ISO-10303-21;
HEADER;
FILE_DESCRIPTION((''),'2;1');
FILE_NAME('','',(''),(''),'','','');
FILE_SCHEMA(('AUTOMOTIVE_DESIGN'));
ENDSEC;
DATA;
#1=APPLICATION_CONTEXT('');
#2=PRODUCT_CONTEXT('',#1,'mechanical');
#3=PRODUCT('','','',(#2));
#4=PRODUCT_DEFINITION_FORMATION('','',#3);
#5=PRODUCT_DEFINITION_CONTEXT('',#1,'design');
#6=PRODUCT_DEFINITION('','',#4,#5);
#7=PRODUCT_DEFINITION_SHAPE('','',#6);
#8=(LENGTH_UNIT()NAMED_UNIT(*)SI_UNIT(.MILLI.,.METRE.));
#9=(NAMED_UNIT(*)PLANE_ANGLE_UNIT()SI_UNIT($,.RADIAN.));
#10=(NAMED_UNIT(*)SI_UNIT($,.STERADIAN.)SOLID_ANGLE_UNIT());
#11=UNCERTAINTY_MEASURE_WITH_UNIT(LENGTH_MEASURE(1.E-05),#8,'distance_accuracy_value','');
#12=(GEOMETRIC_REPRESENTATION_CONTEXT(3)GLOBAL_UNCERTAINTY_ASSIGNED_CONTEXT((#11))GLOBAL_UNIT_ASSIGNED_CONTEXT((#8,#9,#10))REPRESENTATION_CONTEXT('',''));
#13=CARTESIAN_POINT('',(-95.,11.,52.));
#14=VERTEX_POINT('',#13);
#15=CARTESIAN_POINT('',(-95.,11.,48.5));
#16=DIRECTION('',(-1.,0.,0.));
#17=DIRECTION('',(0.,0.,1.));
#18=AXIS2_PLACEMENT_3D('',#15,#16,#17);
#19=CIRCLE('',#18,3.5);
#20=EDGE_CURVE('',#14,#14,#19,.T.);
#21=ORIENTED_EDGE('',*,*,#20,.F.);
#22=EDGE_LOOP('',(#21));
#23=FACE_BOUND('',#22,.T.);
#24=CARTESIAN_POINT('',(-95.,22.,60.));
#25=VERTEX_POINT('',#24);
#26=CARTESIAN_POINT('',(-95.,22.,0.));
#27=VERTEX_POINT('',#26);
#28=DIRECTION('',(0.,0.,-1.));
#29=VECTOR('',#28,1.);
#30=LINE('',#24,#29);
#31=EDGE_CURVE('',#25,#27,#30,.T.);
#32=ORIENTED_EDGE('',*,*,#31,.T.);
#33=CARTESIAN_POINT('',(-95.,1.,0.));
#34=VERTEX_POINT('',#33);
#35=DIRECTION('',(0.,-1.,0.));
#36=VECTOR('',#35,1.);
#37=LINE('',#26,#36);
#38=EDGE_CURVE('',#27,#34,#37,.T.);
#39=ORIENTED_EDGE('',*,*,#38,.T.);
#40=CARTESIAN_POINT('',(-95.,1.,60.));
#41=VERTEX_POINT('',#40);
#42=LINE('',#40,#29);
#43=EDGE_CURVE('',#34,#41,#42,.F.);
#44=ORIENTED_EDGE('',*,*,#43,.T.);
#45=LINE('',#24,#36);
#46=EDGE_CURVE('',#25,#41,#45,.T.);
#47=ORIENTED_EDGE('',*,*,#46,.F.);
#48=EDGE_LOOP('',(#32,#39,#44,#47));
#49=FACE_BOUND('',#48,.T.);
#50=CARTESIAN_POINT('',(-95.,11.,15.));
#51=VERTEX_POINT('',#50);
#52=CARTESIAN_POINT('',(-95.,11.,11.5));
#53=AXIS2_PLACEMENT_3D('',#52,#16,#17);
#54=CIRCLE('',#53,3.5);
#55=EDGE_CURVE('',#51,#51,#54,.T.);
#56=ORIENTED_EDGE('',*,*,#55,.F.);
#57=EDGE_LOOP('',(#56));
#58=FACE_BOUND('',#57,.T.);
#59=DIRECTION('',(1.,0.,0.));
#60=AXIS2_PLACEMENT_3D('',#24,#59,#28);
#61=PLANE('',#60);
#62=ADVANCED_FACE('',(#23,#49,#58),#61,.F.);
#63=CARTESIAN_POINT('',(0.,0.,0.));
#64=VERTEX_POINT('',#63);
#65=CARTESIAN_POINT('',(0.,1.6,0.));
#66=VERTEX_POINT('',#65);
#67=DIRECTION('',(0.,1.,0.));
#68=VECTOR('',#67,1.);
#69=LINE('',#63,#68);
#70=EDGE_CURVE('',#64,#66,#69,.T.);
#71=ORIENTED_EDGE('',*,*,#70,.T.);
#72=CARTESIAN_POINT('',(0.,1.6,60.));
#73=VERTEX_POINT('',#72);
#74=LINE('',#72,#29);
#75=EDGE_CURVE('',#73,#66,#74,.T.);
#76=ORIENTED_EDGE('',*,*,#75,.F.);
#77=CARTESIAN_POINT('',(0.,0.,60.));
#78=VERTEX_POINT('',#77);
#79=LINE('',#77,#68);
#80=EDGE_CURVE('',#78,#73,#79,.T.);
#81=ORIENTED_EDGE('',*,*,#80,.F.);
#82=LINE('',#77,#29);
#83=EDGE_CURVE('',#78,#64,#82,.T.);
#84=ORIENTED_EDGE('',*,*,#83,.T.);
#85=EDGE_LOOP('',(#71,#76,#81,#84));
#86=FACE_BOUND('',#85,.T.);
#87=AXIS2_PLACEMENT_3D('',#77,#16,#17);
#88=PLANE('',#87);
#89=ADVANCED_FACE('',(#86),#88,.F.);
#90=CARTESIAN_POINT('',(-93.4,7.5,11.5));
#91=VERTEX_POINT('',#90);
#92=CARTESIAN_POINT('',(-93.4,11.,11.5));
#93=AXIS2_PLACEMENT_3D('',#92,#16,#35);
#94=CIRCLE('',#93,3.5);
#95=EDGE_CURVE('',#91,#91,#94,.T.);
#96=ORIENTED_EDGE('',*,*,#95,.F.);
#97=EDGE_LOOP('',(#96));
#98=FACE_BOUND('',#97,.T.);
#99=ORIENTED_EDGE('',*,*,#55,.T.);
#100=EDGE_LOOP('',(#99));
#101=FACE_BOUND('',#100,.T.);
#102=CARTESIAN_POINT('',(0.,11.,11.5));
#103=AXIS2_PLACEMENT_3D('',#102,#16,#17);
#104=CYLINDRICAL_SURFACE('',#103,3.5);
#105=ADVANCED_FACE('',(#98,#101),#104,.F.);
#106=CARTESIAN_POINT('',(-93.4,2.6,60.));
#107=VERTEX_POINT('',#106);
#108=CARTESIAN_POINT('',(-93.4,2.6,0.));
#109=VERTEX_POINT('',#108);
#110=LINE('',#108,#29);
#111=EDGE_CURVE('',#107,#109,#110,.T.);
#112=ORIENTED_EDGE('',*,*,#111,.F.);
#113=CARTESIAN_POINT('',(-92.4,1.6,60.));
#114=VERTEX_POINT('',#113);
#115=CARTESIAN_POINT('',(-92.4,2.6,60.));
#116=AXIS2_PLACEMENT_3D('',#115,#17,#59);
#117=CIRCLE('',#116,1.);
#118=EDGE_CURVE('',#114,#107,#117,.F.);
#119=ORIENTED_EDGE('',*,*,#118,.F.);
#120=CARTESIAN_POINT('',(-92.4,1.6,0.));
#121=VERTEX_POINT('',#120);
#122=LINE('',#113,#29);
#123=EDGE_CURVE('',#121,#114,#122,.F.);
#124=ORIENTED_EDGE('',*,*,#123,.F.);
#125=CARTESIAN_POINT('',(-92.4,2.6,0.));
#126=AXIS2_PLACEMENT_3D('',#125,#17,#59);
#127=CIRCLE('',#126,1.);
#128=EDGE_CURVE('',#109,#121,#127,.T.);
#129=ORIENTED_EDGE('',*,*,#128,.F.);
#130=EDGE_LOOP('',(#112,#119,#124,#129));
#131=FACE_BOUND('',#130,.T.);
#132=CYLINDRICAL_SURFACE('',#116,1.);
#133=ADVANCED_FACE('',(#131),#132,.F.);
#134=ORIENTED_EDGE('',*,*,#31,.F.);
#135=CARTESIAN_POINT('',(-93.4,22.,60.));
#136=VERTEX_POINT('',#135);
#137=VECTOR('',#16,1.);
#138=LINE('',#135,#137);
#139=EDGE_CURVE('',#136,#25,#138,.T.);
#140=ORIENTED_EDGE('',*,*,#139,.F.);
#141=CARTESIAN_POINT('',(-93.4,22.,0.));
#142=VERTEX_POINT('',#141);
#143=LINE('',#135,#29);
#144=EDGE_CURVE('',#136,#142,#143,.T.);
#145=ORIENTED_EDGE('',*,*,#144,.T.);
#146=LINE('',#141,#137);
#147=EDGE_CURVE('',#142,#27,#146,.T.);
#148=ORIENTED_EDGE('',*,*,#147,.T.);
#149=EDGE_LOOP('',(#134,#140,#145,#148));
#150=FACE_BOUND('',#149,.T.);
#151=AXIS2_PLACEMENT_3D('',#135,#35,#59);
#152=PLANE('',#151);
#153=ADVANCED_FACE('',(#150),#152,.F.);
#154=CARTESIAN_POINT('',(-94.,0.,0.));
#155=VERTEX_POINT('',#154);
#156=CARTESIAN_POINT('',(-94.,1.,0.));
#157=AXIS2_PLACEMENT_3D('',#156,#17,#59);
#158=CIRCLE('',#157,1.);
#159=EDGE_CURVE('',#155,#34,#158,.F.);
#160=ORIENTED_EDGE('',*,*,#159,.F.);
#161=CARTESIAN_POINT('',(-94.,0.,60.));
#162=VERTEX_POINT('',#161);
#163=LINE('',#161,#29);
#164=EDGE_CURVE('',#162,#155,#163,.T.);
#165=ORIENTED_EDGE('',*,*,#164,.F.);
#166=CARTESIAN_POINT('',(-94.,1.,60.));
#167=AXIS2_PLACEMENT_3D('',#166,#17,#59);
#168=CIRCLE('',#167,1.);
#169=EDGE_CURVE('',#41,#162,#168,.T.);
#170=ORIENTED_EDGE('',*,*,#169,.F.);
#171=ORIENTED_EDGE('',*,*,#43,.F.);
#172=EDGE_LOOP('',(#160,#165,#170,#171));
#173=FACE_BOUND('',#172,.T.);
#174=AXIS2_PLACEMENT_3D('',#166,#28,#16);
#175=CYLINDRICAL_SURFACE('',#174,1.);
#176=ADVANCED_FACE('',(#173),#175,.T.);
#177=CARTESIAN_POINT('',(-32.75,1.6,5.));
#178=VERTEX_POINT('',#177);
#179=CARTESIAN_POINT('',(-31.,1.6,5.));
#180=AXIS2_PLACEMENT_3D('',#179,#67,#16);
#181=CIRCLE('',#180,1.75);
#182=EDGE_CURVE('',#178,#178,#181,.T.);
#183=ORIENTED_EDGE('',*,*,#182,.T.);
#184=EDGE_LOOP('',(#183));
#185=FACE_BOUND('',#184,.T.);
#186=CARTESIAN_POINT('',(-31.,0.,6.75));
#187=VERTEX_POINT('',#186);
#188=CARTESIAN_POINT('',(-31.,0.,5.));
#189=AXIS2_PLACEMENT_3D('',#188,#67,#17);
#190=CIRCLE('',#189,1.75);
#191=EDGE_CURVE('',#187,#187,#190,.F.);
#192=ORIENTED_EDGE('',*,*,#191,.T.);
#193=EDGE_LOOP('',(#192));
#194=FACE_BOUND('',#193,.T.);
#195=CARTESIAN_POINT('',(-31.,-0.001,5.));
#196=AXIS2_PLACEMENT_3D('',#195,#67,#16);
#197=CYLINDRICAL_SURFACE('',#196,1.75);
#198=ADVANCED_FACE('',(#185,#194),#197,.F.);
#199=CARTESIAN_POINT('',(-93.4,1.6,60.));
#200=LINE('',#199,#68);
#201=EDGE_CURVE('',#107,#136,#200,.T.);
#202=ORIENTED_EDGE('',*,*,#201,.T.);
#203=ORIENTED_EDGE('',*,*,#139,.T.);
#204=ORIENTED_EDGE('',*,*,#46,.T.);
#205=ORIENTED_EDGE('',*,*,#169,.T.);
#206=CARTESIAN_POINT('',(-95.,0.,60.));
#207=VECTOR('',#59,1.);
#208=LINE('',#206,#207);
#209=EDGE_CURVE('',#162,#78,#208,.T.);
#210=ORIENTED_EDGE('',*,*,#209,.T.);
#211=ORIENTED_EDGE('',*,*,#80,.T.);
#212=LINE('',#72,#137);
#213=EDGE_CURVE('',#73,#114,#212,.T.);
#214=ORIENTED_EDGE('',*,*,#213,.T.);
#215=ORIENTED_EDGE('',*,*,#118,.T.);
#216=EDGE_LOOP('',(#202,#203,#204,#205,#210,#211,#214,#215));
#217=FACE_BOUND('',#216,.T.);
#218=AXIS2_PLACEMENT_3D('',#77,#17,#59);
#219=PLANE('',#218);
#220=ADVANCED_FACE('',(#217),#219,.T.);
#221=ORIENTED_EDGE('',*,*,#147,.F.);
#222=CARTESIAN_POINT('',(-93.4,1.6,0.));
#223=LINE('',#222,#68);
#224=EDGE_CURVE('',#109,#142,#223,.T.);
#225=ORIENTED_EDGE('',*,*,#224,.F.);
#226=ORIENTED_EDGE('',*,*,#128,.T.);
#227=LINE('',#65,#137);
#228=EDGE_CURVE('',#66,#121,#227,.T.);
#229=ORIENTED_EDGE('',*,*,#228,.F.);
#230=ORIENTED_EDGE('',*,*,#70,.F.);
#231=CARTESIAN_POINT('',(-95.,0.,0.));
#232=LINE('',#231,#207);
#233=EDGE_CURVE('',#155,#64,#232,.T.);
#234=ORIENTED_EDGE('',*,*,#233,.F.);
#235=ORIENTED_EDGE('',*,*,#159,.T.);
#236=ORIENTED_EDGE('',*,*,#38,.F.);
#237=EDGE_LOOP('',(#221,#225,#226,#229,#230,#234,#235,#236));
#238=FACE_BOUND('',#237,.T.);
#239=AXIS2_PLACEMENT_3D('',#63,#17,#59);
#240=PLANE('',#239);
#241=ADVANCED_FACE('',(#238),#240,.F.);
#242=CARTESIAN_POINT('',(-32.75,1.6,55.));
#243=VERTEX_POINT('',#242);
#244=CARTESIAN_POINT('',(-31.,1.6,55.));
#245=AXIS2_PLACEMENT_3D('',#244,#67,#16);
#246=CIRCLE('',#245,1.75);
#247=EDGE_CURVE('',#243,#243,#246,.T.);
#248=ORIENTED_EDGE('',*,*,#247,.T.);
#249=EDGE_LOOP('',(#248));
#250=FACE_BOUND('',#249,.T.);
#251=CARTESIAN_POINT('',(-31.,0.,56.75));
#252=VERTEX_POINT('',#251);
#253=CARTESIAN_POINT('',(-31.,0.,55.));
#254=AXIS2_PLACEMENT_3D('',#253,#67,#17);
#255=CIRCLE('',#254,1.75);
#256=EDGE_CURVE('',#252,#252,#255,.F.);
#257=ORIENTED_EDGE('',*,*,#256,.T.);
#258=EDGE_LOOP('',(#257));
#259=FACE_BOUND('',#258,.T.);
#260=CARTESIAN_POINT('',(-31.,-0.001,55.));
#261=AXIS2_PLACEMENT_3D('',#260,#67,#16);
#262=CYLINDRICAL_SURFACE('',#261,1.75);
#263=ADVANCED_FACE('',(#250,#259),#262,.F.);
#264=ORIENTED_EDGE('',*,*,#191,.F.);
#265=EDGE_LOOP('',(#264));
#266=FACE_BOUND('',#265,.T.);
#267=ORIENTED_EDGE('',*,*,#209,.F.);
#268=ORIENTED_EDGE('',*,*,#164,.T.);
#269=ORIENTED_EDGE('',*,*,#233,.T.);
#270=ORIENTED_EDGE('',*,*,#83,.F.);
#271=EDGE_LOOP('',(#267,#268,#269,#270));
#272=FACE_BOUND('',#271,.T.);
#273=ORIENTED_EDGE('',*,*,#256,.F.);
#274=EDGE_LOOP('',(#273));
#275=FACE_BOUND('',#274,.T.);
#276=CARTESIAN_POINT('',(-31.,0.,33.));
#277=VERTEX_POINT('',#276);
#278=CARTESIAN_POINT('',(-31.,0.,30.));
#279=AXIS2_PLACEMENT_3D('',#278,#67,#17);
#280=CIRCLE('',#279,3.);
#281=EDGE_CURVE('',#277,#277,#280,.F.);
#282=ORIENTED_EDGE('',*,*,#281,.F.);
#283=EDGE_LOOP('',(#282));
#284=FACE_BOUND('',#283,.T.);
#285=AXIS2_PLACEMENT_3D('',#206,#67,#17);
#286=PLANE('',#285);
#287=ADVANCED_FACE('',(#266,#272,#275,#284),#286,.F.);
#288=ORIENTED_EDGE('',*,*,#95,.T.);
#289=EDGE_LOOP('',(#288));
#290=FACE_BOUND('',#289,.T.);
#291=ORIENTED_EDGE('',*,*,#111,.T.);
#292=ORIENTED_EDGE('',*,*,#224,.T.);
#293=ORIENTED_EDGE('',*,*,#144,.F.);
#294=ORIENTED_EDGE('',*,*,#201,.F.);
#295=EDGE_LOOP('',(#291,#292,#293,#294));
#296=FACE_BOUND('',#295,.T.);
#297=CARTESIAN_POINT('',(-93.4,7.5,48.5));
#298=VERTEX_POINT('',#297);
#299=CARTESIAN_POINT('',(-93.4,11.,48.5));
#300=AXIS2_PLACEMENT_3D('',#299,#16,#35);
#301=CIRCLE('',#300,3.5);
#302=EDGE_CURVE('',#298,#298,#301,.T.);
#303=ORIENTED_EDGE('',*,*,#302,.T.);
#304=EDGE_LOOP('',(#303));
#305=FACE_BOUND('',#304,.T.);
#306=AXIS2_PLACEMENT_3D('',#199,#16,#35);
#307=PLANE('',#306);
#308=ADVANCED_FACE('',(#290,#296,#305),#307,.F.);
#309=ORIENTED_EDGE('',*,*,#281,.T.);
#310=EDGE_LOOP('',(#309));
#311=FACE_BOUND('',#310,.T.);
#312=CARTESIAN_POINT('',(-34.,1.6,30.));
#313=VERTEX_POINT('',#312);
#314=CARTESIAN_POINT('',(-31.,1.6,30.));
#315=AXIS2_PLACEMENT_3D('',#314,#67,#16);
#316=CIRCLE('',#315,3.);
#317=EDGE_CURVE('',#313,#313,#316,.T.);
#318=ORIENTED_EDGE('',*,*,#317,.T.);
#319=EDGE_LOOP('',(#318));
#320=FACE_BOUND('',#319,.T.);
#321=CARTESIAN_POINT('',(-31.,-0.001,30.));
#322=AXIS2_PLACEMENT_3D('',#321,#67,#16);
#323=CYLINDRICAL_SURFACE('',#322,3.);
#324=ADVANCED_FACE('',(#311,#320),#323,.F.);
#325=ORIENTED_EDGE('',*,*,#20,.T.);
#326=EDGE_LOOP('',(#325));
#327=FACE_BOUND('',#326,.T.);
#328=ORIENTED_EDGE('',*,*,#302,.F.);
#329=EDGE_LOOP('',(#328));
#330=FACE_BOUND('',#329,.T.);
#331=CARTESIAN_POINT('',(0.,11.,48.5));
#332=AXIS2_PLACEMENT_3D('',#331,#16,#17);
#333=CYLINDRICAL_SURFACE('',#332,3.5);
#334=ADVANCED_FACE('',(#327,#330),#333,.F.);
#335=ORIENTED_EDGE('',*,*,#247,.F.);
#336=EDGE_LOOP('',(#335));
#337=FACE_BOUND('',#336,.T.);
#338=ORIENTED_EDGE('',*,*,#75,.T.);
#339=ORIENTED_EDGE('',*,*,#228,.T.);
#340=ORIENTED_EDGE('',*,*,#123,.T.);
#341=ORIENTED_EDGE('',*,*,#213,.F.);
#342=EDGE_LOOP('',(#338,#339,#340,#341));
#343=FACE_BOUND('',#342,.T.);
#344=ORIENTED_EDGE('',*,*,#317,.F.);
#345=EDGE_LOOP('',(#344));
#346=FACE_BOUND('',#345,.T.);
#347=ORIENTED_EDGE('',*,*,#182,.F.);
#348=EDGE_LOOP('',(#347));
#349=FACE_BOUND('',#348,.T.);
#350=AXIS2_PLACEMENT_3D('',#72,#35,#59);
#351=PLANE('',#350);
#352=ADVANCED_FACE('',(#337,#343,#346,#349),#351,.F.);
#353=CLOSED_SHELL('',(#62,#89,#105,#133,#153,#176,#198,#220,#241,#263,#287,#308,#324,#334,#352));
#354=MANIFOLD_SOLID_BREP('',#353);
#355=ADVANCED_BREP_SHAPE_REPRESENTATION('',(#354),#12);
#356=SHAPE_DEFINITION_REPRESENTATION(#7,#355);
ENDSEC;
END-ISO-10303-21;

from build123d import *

# Parameters (mm, degrees)
ESTRUSIONE_ESTRUSIONE1_DEPTH = 60
RACCORDO1_R                  = 1
RACCORDO2_R                  = 1
TAGLIO_ESTRUSIONE1_REACH     = 116.198
SCHIZZO2_R                   = 1.75
SCHIZZO2_R_2                 = 3
SCHIZZO3_R                   = 3.5
TAGLIO_ESTRUSIONE2_DEPTH     = 115.494541355


with BuildPart() as part:
    # Schizzo1 → Estrusione-Estrusione1 (new body)
    with BuildSketch(Plane.XY):
        Polygon((-95, 22), (-95, 0), (0, 0), (0, 1.6), (-93.4, 1.6), (-93.4, 22), align=None)
    extrude(amount=ESTRUSIONE_ESTRUSIONE1_DEPTH)

    # Raccordo1
    raccordo1_edges = [part.edges().sort_by_distance(p)[0] for p in [
        (-95, 0, 30),
    ]]
    fillet(raccordo1_edges, radius=RACCORDO1_R)

    # Raccordo2
    raccordo2_edges = [part.edges().sort_by_distance(p)[0] for p in [
        (-93.4, 1.6, 30),
    ]]
    fillet(raccordo2_edges, radius=RACCORDO2_R)

    # Schizzo2 → Taglio-Estrusione1 (cut, up to next)
    with BuildSketch(Plane(origin=(0, 1.6, 0), x_dir=(1, 0, 0), z_dir=(0, 1, 0)), mode=Mode.PRIVATE) as taglio_estrusione1_sk1:
        with Locations(Location((-31, -5, 0), (0, 0, 180))):
            Circle(SCHIZZO2_R)
    taglio_estrusione1_tool1 = extrude(taglio_estrusione1_sk1.sketch, amount=-TAGLIO_ESTRUSIONE1_REACH, mode=Mode.PRIVATE) & part.part
    # Schizzo2 → Taglio-Estrusione1 (cut, up to next)
    with BuildSketch(Plane(origin=(0, 1.6, 0), x_dir=(1, 0, 0), z_dir=(0, 1, 0)), mode=Mode.PRIVATE) as taglio_estrusione1_sk2:
        with Locations(Location((-31, -30, 0), (0, 0, 180))):
            Circle(SCHIZZO2_R_2)
    taglio_estrusione1_tool2 = extrude(taglio_estrusione1_sk2.sketch, amount=-TAGLIO_ESTRUSIONE1_REACH, mode=Mode.PRIVATE) & part.part
    # Schizzo2 → Taglio-Estrusione1 (cut, up to next)
    with BuildSketch(Plane(origin=(0, 1.6, 0), x_dir=(1, 0, 0), z_dir=(0, 1, 0)), mode=Mode.PRIVATE) as taglio_estrusione1_sk3:
        with Locations(Location((-31, -55, 0), (0, 0, 180))):
            Circle(SCHIZZO2_R)
    taglio_estrusione1_tool3 = extrude(taglio_estrusione1_sk3.sketch, amount=-TAGLIO_ESTRUSIONE1_REACH, mode=Mode.PRIVATE) & part.part
    add(taglio_estrusione1_tool1.solids().sort_by_distance((-31, 1.6, 5))[0], mode=Mode.SUBTRACT)
    add(taglio_estrusione1_tool2.solids().sort_by_distance((-31, 1.6, 30))[0], mode=Mode.SUBTRACT)
    add(taglio_estrusione1_tool3.solids().sort_by_distance((-31, 1.6, 55))[0], mode=Mode.SUBTRACT)

    # Schizzo3 → Taglio-Estrusione2 (cut, through all)
    with BuildSketch(Plane.ZY.offset(95)):
        with Locations((11.5, 11)):
            Circle(SCHIZZO3_R)
        with Locations((48.5, 11)):
            Circle(SCHIZZO3_R)
    extrude(amount=-TAGLIO_ESTRUSIONE2_DEPTH, mode=Mode.SUBTRACT)


solid = part.part
